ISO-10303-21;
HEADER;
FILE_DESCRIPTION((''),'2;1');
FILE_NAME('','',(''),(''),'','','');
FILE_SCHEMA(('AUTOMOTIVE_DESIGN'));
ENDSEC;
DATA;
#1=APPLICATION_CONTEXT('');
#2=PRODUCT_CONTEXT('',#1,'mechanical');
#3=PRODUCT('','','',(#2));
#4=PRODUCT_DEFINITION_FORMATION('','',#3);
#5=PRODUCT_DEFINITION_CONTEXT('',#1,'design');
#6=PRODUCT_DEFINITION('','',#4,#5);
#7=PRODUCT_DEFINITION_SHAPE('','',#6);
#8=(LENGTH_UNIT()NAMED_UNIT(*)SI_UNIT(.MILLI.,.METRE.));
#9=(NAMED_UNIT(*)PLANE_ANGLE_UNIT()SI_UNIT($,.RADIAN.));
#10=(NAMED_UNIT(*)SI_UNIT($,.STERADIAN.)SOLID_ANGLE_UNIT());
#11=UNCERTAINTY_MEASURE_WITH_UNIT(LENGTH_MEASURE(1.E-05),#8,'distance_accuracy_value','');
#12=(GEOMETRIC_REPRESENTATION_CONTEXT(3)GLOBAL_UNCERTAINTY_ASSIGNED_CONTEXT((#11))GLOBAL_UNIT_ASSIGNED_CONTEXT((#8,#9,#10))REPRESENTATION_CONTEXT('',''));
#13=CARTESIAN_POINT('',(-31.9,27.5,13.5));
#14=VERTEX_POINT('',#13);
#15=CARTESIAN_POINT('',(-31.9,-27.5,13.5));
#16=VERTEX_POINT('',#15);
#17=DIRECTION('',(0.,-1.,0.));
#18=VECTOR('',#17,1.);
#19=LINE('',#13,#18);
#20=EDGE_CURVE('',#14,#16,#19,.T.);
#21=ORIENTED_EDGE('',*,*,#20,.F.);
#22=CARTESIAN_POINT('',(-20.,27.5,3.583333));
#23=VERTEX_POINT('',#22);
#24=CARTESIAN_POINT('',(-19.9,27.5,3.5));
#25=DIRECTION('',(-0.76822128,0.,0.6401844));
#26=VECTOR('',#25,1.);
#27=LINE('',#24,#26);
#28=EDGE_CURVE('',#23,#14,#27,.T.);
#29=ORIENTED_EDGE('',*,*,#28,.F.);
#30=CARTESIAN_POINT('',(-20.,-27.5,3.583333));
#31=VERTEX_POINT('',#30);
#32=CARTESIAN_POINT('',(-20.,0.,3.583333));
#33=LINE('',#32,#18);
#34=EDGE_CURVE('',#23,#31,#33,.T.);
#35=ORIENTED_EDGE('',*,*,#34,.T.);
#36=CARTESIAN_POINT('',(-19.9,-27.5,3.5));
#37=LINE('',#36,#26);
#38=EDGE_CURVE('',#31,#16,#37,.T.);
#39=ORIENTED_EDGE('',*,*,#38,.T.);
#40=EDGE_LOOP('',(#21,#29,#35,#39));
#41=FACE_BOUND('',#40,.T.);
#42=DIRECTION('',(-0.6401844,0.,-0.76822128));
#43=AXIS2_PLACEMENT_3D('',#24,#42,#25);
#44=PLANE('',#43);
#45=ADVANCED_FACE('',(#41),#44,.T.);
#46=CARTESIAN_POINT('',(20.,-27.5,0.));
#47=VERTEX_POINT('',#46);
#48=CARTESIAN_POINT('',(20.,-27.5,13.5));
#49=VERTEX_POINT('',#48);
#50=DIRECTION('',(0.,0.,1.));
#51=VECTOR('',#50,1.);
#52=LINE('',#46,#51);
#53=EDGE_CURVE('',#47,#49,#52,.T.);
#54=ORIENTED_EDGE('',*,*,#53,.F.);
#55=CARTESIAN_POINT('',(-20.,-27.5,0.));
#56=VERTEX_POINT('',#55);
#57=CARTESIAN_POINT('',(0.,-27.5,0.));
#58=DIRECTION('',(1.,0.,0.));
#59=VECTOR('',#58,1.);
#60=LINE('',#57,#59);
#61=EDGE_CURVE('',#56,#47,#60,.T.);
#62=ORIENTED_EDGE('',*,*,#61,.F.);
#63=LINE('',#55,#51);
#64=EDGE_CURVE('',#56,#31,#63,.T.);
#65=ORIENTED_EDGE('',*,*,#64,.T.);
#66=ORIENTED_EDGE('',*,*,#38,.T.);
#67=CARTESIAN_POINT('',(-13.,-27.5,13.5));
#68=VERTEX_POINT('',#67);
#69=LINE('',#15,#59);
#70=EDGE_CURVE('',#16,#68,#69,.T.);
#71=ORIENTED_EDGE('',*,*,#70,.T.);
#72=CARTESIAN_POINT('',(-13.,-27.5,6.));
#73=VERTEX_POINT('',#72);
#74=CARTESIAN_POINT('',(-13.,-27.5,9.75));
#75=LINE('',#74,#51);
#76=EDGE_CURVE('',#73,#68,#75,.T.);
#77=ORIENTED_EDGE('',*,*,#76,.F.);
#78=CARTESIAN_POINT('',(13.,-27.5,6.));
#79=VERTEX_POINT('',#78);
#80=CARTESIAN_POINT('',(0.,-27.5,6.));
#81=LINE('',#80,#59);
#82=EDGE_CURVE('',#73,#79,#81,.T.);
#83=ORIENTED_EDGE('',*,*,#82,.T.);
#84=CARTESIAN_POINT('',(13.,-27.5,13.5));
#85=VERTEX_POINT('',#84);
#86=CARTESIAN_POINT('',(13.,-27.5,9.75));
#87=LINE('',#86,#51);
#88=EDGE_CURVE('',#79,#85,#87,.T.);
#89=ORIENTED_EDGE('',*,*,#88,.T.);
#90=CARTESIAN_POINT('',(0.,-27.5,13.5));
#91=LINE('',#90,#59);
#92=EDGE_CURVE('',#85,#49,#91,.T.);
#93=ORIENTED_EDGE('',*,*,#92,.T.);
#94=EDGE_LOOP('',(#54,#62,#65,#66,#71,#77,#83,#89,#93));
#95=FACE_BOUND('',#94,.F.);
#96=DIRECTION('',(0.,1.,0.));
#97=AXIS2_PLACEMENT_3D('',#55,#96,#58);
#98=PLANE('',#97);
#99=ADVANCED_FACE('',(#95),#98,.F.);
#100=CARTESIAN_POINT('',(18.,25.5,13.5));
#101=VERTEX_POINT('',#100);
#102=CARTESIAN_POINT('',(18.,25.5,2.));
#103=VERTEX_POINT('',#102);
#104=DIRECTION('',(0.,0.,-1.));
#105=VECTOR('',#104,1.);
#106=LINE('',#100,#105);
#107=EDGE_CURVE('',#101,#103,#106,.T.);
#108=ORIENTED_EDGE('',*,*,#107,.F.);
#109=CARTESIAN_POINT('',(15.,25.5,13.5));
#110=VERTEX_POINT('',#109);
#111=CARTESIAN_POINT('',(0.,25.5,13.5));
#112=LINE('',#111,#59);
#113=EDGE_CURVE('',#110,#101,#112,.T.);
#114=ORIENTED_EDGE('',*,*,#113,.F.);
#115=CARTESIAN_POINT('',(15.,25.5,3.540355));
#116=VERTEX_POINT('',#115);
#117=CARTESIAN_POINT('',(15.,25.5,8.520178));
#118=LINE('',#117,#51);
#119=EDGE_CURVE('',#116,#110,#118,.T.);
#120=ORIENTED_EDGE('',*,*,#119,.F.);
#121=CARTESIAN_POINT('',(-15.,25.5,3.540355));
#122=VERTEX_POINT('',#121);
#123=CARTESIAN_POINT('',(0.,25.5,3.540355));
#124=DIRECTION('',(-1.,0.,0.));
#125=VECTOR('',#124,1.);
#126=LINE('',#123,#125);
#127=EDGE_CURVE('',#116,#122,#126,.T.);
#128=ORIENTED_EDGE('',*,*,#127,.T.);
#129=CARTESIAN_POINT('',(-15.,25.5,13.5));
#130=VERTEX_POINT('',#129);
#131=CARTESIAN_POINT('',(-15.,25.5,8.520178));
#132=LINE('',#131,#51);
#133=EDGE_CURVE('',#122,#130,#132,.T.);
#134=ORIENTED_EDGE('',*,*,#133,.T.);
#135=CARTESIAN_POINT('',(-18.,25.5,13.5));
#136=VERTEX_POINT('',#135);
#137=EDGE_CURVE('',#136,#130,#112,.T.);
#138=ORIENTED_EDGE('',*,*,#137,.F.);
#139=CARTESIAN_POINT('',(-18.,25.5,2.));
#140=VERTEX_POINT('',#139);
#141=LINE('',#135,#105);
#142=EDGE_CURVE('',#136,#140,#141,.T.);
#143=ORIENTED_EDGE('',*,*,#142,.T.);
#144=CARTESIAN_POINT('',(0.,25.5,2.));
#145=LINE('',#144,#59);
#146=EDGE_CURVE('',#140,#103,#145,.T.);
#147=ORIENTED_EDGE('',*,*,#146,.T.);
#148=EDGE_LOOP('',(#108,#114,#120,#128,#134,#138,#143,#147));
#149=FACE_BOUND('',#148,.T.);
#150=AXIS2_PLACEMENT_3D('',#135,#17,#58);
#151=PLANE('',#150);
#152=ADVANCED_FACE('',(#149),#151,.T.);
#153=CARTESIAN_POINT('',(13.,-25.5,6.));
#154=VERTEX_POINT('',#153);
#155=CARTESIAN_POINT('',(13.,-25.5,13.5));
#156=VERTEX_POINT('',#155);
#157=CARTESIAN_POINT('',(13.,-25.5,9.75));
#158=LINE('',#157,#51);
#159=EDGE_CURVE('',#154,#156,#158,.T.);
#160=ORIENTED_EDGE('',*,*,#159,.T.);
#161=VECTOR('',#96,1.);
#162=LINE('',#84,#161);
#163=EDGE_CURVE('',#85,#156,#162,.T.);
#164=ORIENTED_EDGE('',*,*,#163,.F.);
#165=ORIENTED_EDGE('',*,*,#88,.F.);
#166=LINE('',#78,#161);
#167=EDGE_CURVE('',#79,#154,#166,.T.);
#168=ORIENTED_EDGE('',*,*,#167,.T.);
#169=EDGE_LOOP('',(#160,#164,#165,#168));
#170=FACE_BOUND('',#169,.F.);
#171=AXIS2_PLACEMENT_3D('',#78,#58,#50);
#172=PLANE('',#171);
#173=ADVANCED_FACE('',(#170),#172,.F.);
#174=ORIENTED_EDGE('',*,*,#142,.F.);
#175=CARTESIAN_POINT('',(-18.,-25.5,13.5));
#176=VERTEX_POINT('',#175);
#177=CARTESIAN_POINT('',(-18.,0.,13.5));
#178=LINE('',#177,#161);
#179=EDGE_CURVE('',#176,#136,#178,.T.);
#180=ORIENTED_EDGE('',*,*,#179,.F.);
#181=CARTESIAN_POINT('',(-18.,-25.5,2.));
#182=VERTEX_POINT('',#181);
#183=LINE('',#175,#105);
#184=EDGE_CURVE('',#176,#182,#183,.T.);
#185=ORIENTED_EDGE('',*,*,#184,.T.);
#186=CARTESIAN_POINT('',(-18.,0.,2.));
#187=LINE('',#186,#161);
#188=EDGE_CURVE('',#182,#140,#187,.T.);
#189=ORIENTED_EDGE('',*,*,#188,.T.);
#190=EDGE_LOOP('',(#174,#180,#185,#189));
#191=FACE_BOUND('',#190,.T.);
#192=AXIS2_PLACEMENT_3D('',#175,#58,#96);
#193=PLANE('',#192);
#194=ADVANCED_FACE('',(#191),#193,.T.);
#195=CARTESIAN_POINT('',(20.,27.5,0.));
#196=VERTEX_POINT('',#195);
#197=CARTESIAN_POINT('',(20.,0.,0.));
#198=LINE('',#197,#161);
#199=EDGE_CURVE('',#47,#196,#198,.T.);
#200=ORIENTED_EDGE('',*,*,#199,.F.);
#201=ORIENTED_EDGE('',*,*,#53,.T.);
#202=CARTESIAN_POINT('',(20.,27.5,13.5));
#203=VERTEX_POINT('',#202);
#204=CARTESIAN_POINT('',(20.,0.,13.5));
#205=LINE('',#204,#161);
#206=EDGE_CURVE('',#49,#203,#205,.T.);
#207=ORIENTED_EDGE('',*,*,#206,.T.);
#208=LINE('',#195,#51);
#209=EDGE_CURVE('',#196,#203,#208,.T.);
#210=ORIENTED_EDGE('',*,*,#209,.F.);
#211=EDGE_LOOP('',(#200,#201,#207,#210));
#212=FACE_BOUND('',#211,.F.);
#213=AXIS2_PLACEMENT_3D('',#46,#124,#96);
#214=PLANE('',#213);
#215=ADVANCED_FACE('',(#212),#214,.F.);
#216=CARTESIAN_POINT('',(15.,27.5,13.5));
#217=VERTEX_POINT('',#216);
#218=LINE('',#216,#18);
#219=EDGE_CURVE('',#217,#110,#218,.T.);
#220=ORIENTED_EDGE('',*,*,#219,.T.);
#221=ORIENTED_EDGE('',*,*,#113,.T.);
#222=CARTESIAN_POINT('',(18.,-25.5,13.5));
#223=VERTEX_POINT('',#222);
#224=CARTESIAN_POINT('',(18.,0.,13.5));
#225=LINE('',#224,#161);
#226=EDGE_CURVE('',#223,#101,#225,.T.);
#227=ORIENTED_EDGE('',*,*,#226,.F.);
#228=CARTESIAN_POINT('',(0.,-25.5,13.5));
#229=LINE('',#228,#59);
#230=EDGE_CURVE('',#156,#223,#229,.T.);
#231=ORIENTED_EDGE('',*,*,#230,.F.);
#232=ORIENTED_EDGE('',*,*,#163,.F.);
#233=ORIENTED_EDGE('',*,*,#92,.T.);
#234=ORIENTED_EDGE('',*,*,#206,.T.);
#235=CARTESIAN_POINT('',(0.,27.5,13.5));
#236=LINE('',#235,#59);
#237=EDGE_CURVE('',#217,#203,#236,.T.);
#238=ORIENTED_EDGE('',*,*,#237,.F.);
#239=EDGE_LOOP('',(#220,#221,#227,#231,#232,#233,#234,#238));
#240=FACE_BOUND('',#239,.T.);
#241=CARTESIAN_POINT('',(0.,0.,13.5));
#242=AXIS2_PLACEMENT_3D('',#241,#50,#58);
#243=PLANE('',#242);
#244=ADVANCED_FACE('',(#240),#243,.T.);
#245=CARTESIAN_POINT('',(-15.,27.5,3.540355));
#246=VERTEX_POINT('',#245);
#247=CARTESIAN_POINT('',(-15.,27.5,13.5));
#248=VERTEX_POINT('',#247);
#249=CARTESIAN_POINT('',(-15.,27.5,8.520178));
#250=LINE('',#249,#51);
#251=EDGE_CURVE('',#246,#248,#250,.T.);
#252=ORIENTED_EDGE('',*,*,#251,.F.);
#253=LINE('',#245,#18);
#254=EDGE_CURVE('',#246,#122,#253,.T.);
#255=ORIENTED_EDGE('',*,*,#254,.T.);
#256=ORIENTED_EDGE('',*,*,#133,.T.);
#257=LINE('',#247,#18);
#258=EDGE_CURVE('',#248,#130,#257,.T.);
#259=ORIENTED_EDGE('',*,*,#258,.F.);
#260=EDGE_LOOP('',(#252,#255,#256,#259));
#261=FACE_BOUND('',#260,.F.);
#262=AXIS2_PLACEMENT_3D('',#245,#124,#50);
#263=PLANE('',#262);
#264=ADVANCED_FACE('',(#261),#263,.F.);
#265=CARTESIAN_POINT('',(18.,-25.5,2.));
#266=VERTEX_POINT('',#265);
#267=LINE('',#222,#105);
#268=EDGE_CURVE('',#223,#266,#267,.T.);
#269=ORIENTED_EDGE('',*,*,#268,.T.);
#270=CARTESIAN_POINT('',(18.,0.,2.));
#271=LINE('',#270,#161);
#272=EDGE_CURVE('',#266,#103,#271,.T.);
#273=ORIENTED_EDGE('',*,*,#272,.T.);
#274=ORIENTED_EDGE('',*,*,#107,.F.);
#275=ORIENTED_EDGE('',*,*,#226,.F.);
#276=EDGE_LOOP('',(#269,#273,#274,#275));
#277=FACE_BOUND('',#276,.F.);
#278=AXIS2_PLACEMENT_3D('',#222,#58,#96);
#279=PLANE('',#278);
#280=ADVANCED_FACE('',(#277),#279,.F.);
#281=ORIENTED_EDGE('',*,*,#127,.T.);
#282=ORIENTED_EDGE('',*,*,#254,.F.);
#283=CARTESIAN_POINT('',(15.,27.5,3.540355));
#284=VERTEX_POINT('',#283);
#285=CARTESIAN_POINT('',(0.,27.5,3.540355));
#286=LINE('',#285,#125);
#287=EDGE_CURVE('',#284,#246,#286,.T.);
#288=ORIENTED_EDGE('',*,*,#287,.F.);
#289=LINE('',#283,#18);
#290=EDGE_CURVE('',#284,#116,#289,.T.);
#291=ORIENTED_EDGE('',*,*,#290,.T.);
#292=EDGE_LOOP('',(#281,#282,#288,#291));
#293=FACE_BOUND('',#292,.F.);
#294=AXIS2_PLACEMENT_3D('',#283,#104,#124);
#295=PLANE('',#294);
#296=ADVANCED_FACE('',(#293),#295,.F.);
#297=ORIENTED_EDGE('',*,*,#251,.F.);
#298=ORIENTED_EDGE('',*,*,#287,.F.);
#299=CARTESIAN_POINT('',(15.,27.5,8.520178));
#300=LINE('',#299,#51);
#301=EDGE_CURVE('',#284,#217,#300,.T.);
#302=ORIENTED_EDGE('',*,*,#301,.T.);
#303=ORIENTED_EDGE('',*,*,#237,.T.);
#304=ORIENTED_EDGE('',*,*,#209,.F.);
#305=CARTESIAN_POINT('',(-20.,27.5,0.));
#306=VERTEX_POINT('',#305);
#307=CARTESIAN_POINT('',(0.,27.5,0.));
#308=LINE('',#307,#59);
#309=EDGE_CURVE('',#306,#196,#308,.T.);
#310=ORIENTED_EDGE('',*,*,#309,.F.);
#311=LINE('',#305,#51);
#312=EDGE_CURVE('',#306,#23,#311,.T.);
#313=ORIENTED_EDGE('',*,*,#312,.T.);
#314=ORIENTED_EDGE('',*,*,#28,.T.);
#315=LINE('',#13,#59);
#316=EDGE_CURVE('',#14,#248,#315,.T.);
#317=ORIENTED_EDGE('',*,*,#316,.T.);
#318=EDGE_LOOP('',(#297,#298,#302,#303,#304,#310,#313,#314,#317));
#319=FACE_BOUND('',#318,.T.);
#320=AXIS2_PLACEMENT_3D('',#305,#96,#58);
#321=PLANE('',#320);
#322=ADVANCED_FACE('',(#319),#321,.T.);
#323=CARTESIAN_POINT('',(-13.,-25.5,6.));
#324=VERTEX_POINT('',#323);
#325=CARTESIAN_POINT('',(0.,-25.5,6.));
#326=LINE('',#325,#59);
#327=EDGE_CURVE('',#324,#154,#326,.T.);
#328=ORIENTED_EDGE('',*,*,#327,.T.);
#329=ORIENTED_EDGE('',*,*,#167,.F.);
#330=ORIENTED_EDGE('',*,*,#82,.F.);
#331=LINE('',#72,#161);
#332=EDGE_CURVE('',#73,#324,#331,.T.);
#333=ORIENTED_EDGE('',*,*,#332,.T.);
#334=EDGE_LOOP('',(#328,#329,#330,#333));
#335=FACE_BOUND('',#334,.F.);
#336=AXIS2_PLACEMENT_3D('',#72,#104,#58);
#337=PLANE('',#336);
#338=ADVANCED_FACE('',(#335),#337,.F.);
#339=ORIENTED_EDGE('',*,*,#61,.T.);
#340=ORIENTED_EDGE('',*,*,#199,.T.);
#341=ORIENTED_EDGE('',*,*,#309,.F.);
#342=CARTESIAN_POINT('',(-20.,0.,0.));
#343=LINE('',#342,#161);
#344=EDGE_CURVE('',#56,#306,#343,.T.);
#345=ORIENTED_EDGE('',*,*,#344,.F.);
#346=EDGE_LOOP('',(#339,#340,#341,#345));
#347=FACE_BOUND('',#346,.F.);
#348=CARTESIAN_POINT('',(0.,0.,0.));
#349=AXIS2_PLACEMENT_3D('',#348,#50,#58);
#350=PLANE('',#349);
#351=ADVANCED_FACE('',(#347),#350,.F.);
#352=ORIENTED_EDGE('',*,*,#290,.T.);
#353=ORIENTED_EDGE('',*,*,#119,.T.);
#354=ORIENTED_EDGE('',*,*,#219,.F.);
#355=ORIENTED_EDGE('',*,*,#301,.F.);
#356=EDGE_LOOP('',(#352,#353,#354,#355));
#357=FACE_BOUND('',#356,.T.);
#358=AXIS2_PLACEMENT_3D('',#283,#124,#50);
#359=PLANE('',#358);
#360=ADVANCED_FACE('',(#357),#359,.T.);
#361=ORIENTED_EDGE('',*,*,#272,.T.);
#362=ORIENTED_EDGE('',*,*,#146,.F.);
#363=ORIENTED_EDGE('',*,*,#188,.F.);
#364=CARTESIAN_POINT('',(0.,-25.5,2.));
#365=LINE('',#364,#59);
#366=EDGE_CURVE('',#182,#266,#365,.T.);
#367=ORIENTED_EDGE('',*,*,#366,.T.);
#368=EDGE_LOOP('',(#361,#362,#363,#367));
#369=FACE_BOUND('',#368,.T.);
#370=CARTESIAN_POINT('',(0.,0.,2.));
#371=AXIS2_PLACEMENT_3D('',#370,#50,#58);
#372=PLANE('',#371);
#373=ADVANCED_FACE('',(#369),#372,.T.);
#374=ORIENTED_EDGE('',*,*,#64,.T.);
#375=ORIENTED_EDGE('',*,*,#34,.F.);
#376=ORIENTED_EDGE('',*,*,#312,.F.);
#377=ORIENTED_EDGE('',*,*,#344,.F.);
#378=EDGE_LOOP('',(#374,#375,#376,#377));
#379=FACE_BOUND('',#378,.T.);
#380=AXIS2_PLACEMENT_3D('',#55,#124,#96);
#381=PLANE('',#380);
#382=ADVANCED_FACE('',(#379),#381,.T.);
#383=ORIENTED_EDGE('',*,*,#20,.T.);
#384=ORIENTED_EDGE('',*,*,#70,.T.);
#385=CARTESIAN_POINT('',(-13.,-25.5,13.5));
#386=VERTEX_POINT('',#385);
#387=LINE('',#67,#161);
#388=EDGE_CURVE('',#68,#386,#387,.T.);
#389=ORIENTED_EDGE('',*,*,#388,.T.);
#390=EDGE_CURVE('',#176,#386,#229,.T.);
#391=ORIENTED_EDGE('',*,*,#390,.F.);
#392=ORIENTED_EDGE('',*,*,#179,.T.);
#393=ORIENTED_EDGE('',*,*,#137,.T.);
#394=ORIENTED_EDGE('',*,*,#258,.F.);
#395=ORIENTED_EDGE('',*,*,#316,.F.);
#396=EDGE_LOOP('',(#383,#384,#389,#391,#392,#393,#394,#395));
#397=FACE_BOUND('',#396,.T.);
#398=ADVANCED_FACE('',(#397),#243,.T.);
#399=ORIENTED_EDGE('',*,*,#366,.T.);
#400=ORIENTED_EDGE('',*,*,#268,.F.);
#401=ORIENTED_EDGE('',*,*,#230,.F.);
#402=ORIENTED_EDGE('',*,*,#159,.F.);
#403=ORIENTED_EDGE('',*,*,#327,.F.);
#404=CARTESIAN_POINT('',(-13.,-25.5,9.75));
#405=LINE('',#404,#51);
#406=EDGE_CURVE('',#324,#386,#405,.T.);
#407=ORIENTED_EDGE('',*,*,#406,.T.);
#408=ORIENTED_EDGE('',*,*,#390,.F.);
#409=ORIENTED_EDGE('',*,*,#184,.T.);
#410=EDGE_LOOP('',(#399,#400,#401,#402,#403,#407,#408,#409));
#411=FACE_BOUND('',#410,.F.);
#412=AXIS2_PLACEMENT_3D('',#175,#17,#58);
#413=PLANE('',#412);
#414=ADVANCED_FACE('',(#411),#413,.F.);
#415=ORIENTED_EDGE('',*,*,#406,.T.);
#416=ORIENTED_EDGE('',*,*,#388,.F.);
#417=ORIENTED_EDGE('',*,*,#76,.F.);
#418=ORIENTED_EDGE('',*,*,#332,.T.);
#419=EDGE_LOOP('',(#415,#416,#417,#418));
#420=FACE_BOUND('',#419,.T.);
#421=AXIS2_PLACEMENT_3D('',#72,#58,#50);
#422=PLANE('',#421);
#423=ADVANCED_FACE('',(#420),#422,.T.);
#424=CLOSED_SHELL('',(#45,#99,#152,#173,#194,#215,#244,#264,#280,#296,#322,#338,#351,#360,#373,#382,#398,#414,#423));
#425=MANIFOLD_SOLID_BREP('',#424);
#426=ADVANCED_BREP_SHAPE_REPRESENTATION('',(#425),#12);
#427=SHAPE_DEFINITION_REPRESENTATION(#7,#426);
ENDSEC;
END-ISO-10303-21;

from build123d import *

# Parameters (mm, degrees)
SKETCH_W        = 40
SKETCH_H        = 55
PAD_DEPTH       = 13.5
SKETCH001_W     = 36
SKETCH001_H     = 51
POCKET_DEPTH    = 11.5
SKETCH002_W     = 26
SKETCH002_H     = 7.5
POCKET001_DEPTH = 2
SKETCH003_W     = 30
SKETCH003_H     = 9.959645
POCKET002_DEPTH = 2
PAD001_DEPTH    = 55


with BuildPart() as part:
    # Sketch → Pad (new body)
    with BuildSketch(Plane.XY):
        Rectangle(SKETCH_W, SKETCH_H)
    extrude(amount=PAD_DEPTH)

    # Sketch001 (on Face6 of Pad) → Pocket (cut)
    with BuildSketch(Plane.XY.offset(13.5)):
        Rectangle(SKETCH001_W, SKETCH001_H)
    extrude(amount=-POCKET_DEPTH, mode=Mode.SUBTRACT)

    # Sketch002 (on Face6 of Pocket) → Pocket001 (cut)
    with BuildSketch(Plane.XZ.offset(27.5)):
        with Locations((0, 9.75)):
            Rectangle(SKETCH002_W, SKETCH002_H)
    extrude(amount=-POCKET001_DEPTH, mode=Mode.SUBTRACT)

    # Sketch003 (on Face1 of Pocket001) → Pocket002 (cut)
    with BuildSketch(Plane(origin=(0, 27.5, 0), x_dir=(-1, 0, 0), z_dir=(0, 1, 0))):
        with Locations((0, 8.5201775)):
            Rectangle(SKETCH003_W, SKETCH003_H)
    extrude(amount=-POCKET002_DEPTH, mode=Mode.SUBTRACT)

    # Sketch004 (on Face1 of Pocket002) → Pad001 (join)
    with BuildSketch(Plane(origin=(0, 27.5, 0), x_dir=(-1, 0, 0), z_dir=(0, 1, 0))):
        Polygon((19.9, 13.5), (19.9, 3.5), (31.9, 13.5), align=None)
    extrude(amount=-PAD001_DEPTH)


solid = part.part
